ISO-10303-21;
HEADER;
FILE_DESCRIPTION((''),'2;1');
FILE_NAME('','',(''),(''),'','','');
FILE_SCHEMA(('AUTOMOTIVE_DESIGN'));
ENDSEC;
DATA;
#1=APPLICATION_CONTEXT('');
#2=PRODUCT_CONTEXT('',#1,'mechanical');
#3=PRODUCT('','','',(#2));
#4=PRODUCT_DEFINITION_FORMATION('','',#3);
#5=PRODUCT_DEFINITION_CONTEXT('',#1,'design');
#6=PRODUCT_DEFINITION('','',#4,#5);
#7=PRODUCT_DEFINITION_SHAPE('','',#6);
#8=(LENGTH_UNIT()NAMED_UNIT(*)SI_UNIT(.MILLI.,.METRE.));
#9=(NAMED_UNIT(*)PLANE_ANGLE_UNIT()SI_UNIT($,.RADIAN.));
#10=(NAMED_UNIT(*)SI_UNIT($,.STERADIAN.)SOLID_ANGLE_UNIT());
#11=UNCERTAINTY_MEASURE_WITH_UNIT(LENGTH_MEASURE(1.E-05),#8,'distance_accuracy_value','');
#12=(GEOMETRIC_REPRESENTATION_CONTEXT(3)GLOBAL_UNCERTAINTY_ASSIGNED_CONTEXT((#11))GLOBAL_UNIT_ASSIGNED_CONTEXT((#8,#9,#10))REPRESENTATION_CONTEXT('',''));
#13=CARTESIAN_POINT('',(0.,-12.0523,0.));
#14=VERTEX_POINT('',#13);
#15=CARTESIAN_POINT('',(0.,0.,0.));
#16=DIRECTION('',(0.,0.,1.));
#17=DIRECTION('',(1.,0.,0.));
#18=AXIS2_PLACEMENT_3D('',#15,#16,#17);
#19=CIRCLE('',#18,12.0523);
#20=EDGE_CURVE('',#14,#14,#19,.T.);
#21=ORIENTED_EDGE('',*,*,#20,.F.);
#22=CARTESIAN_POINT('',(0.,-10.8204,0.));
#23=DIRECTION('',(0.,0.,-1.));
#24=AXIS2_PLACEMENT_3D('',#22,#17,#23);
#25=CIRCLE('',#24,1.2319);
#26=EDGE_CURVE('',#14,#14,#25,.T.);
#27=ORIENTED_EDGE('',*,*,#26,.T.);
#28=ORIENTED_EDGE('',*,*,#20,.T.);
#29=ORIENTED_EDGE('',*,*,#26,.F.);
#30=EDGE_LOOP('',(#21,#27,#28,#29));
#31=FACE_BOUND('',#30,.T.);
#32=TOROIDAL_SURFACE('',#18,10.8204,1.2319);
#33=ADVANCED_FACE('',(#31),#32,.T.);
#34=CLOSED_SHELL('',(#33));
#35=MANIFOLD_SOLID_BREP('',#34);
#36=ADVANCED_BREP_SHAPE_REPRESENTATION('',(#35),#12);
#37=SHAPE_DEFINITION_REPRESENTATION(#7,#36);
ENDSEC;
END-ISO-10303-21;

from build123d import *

# Parameters (mm, degrees)
SKETCH3_R = 1.2319


with BuildPart() as part:
    # Sweep1: sweep along a path in Sketch4
    with BuildLine(Plane.XY) as sweep1_path:
        CenterArc((0, 0), 10.8204, 0, 360)
    # Sketch3 → Sweep1 (sweep)
    with BuildSketch(Plane(origin=(0, 0, 0), x_dir=(0, 0, -1), z_dir=(1, 0, 0))):
        with Locations((0, -10.8204)):
            Circle(SKETCH3_R)
    sweep(path=sweep1_path.line)


solid = part.part
